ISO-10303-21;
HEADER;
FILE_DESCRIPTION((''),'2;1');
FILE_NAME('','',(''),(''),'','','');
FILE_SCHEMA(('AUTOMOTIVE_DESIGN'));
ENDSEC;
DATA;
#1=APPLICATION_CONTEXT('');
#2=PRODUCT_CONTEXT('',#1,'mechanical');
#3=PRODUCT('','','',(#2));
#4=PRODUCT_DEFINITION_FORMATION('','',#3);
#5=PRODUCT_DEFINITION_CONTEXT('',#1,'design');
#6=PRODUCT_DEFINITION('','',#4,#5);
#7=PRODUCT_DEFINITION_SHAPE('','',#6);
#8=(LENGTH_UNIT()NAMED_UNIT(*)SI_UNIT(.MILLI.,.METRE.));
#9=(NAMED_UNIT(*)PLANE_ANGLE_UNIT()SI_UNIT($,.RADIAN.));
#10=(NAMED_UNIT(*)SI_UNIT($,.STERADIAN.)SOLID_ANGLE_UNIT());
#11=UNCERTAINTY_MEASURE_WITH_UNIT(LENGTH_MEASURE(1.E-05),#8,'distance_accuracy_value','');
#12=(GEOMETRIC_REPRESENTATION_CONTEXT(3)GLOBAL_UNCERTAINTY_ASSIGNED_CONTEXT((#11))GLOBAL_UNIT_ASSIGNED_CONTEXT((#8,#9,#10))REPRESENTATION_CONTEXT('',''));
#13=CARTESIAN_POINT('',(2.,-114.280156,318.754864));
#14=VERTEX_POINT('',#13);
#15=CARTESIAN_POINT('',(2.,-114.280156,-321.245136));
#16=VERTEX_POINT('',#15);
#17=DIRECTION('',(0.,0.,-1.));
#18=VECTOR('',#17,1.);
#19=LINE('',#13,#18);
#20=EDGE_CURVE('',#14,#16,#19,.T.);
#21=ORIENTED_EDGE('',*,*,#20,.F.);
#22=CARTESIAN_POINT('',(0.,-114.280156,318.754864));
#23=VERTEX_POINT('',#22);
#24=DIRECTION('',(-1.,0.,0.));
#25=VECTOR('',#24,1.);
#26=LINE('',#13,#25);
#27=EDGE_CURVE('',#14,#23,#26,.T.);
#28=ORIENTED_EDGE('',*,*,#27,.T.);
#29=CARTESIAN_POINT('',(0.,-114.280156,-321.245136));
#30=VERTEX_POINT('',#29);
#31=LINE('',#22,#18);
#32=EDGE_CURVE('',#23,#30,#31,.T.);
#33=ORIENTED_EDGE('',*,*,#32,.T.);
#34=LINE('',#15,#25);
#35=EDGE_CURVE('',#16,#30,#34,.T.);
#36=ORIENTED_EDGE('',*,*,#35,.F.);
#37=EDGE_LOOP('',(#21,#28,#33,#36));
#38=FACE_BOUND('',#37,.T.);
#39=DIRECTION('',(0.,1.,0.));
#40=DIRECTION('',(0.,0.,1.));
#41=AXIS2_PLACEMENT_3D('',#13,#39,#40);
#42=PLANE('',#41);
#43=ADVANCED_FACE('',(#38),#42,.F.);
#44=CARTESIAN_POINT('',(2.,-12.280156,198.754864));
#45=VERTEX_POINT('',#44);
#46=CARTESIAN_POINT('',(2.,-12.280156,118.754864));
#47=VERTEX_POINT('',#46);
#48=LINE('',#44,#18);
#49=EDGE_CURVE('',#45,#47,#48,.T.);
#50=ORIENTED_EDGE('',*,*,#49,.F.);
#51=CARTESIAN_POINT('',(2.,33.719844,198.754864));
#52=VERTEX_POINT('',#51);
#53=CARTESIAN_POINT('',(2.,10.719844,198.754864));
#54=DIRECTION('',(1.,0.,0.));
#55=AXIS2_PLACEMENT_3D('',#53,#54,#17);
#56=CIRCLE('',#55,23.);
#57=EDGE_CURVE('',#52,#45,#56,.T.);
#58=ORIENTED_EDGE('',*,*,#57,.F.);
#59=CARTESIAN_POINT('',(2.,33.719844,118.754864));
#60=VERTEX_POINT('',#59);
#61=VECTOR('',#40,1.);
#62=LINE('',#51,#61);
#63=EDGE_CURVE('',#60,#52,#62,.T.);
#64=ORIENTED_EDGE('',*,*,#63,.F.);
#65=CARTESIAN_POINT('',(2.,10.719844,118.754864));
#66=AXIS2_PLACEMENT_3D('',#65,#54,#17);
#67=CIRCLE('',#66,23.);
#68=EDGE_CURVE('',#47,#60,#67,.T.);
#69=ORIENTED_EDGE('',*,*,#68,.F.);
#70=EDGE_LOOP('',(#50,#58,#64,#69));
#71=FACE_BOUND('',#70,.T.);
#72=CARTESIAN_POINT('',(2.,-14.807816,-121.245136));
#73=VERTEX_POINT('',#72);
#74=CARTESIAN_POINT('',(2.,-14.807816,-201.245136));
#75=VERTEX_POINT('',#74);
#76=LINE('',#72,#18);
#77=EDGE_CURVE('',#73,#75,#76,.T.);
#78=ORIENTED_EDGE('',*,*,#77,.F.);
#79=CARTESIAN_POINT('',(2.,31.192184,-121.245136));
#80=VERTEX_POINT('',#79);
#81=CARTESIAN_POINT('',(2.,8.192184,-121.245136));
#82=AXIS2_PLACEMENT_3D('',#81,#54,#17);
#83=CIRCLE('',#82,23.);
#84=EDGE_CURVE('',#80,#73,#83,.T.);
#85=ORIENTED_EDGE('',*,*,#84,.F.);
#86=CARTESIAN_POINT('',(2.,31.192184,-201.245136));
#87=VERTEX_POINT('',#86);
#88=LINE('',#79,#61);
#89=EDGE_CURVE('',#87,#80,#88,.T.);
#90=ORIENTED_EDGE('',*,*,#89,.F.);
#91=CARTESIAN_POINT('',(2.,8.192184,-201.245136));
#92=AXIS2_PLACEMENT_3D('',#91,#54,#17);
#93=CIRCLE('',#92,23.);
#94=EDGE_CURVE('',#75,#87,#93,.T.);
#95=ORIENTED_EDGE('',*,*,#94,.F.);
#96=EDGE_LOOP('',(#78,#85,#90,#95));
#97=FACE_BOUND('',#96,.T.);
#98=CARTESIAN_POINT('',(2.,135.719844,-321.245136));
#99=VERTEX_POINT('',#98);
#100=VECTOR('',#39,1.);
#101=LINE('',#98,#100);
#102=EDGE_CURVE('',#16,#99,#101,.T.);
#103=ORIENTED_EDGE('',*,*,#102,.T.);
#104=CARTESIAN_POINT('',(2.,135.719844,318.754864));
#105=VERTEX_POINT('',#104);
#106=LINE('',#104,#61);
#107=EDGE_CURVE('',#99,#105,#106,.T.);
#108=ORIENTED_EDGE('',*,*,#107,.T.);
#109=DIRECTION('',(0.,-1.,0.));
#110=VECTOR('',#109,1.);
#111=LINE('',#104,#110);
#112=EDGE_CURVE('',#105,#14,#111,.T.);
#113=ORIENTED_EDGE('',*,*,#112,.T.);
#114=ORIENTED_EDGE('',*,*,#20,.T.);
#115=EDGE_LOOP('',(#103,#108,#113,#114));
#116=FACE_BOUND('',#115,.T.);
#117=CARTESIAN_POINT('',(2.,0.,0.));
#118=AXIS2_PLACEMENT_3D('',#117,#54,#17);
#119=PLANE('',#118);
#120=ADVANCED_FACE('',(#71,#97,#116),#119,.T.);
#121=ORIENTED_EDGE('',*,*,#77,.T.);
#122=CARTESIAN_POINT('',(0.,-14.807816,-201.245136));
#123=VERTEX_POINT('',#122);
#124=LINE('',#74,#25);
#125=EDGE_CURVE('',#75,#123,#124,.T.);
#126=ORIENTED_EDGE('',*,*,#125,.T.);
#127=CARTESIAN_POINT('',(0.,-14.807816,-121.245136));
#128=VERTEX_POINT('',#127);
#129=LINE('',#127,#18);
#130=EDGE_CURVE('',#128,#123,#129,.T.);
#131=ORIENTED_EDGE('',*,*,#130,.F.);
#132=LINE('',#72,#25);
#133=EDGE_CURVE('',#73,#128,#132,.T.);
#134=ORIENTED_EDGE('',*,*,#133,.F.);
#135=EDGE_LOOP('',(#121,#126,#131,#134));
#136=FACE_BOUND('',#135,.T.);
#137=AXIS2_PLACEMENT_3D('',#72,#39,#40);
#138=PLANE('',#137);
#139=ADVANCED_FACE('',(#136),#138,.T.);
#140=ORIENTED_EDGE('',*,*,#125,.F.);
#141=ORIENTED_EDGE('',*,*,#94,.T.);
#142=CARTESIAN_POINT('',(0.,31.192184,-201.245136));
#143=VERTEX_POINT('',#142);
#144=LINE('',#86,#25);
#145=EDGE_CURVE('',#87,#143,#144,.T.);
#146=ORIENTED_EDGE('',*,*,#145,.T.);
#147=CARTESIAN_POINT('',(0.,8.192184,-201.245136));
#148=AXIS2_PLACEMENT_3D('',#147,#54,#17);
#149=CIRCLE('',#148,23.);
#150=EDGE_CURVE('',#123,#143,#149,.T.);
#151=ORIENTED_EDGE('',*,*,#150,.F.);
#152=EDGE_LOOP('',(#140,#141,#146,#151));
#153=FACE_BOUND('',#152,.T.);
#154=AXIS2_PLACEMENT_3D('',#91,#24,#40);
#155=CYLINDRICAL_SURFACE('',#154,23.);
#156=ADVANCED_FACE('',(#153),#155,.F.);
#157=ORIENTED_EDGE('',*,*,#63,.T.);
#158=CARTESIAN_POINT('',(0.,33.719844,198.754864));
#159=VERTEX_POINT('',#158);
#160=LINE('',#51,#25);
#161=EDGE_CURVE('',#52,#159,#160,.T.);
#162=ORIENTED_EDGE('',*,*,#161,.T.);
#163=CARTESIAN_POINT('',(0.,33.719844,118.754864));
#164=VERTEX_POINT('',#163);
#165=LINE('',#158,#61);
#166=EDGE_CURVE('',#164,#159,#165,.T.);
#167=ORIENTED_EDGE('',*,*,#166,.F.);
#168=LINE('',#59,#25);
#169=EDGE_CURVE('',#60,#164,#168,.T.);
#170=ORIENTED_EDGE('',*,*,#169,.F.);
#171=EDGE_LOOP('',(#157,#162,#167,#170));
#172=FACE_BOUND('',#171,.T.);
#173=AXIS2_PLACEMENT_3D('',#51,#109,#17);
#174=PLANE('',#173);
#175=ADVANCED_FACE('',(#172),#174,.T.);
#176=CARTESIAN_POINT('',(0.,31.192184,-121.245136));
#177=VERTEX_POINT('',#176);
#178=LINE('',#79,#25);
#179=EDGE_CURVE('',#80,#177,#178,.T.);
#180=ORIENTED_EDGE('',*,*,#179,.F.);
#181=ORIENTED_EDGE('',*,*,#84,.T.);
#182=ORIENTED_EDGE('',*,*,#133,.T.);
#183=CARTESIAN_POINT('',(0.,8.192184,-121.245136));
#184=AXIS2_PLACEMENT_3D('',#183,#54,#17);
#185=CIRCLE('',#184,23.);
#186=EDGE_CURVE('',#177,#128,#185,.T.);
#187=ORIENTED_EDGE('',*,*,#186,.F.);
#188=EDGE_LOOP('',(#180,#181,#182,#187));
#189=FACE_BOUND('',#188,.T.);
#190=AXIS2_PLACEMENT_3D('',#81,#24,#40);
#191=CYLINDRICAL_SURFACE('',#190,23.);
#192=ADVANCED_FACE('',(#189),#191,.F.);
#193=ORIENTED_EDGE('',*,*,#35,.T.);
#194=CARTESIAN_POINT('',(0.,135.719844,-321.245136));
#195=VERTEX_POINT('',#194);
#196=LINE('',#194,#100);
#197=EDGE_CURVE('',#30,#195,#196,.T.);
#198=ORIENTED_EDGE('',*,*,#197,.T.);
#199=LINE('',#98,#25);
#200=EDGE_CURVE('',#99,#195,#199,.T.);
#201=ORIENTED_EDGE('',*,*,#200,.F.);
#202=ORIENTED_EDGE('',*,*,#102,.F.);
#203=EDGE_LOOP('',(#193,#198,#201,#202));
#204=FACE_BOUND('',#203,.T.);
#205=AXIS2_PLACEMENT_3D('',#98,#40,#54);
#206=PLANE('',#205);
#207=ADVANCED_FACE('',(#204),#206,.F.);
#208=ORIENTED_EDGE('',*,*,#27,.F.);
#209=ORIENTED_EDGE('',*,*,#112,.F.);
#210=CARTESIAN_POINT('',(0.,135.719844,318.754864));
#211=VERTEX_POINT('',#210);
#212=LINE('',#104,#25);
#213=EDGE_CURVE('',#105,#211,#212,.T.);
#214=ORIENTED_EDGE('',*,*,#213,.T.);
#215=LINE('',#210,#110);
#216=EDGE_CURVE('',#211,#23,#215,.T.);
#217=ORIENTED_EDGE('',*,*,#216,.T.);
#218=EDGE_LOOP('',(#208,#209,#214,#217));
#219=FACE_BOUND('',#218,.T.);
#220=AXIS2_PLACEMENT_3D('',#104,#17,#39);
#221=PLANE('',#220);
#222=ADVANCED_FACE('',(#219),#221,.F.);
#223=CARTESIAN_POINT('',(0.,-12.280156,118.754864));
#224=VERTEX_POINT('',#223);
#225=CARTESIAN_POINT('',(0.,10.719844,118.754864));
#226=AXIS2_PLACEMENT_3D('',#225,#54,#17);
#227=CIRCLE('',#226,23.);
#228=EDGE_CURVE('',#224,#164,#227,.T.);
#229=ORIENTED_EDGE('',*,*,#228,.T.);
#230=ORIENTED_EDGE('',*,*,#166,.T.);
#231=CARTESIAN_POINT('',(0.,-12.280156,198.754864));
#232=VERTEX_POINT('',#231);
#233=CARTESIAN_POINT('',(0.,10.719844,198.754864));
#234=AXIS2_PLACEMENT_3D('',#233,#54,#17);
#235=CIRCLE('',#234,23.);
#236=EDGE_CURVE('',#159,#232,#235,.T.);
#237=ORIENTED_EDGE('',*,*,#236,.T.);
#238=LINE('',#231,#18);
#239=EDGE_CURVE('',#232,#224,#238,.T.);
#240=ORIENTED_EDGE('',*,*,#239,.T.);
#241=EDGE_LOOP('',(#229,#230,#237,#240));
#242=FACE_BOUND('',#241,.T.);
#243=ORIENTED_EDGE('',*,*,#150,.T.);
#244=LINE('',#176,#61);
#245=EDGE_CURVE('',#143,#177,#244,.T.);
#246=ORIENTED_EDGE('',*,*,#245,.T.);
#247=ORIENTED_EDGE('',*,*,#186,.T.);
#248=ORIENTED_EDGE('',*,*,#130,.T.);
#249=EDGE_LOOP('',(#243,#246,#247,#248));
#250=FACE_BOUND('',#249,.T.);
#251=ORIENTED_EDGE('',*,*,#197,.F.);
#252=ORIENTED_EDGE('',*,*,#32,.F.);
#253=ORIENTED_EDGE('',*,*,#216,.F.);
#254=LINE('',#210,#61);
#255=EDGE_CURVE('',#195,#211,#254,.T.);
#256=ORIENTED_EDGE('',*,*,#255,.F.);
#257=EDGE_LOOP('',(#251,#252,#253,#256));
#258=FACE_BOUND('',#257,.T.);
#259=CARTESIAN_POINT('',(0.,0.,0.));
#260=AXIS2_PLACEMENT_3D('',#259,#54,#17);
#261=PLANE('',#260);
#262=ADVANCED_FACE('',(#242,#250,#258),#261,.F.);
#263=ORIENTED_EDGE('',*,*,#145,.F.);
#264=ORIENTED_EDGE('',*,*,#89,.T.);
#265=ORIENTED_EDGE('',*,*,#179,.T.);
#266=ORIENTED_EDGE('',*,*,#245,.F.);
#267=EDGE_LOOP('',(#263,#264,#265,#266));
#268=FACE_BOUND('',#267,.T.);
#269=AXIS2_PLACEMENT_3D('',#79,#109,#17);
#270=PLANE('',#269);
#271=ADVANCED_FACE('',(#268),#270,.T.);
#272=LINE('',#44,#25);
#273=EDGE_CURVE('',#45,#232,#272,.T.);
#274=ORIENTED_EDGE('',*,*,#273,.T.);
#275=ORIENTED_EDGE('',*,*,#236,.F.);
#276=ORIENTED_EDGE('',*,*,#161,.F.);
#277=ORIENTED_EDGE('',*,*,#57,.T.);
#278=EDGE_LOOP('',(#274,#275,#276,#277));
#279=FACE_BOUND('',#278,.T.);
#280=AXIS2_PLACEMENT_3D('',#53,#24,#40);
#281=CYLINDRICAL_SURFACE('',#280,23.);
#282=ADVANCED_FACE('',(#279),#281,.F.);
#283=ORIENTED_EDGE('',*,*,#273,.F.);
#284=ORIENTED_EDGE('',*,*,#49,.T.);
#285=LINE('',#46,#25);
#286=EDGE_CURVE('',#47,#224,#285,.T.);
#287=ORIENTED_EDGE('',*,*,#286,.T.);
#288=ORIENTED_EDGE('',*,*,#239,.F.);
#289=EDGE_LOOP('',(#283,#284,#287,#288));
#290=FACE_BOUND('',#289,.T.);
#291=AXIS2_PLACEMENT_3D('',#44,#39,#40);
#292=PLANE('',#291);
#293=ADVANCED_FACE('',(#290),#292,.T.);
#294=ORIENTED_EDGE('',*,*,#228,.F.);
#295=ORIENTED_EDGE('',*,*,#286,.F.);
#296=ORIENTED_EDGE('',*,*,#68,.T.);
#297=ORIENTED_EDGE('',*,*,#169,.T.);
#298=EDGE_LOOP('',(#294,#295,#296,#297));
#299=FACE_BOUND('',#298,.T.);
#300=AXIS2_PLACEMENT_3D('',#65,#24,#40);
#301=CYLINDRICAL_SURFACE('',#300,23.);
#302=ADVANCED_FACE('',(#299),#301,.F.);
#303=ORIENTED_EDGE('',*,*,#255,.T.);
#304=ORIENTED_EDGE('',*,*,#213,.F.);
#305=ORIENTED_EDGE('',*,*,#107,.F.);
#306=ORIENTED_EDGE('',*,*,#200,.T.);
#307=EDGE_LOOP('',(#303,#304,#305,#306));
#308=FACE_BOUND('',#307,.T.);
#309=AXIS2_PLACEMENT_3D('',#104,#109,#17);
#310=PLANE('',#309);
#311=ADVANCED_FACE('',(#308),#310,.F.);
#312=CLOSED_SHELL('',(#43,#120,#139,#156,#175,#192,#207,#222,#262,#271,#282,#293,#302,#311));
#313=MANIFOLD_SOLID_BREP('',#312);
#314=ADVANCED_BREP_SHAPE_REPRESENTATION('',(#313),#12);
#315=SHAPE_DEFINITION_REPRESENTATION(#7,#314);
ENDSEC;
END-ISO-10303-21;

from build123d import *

# Parameters (mm, degrees)
SKETCH1_W           = 640
SKETCH1_H           = 250
BOSS_EXTRUDE1_DEPTH = 2


with BuildPart() as part:
    # Sketch1 → Boss-Extrude1 (new body)
    with BuildSketch(Plane(origin=(0, 0, 0), x_dir=(0, 0, -1), z_dir=(1, 0, 0))):
        with Locations((1.245136187, 10.719844358)):
            Rectangle(SKETCH1_W, SKETCH1_H)
        with BuildLine():
            Line((-198.754863813, 33.719844358), (-118.754863813, 33.719844358))
            ThreePointArc((-118.754863813, 33.719844358), (-95.754863813, 10.719844358), (-118.754863813, -12.280155642))
            Line((-118.754863813, -12.280155642), (-198.754863813, -12.280155642))
            ThreePointArc((-198.754863813, -12.280155642), (-221.754863813, 10.719844358), (-198.754863813, 33.719844358))
        make_face(mode=Mode.SUBTRACT)
        with BuildLine():
            Line((121.245136187, 31.192184468), (201.245136187, 31.192184468))
            ThreePointArc((201.245136187, 31.192184468), (224.245136187, 8.192184468), (201.245136187, -14.807815532))
            Line((201.245136187, -14.807815532), (121.245136187, -14.807815532))
            ThreePointArc((121.245136187, -14.807815532), (98.245136187, 8.192184468), (121.245136187, 31.192184468))
        make_face(mode=Mode.SUBTRACT)
    extrude(amount=BOSS_EXTRUDE1_DEPTH)


solid = part.part
